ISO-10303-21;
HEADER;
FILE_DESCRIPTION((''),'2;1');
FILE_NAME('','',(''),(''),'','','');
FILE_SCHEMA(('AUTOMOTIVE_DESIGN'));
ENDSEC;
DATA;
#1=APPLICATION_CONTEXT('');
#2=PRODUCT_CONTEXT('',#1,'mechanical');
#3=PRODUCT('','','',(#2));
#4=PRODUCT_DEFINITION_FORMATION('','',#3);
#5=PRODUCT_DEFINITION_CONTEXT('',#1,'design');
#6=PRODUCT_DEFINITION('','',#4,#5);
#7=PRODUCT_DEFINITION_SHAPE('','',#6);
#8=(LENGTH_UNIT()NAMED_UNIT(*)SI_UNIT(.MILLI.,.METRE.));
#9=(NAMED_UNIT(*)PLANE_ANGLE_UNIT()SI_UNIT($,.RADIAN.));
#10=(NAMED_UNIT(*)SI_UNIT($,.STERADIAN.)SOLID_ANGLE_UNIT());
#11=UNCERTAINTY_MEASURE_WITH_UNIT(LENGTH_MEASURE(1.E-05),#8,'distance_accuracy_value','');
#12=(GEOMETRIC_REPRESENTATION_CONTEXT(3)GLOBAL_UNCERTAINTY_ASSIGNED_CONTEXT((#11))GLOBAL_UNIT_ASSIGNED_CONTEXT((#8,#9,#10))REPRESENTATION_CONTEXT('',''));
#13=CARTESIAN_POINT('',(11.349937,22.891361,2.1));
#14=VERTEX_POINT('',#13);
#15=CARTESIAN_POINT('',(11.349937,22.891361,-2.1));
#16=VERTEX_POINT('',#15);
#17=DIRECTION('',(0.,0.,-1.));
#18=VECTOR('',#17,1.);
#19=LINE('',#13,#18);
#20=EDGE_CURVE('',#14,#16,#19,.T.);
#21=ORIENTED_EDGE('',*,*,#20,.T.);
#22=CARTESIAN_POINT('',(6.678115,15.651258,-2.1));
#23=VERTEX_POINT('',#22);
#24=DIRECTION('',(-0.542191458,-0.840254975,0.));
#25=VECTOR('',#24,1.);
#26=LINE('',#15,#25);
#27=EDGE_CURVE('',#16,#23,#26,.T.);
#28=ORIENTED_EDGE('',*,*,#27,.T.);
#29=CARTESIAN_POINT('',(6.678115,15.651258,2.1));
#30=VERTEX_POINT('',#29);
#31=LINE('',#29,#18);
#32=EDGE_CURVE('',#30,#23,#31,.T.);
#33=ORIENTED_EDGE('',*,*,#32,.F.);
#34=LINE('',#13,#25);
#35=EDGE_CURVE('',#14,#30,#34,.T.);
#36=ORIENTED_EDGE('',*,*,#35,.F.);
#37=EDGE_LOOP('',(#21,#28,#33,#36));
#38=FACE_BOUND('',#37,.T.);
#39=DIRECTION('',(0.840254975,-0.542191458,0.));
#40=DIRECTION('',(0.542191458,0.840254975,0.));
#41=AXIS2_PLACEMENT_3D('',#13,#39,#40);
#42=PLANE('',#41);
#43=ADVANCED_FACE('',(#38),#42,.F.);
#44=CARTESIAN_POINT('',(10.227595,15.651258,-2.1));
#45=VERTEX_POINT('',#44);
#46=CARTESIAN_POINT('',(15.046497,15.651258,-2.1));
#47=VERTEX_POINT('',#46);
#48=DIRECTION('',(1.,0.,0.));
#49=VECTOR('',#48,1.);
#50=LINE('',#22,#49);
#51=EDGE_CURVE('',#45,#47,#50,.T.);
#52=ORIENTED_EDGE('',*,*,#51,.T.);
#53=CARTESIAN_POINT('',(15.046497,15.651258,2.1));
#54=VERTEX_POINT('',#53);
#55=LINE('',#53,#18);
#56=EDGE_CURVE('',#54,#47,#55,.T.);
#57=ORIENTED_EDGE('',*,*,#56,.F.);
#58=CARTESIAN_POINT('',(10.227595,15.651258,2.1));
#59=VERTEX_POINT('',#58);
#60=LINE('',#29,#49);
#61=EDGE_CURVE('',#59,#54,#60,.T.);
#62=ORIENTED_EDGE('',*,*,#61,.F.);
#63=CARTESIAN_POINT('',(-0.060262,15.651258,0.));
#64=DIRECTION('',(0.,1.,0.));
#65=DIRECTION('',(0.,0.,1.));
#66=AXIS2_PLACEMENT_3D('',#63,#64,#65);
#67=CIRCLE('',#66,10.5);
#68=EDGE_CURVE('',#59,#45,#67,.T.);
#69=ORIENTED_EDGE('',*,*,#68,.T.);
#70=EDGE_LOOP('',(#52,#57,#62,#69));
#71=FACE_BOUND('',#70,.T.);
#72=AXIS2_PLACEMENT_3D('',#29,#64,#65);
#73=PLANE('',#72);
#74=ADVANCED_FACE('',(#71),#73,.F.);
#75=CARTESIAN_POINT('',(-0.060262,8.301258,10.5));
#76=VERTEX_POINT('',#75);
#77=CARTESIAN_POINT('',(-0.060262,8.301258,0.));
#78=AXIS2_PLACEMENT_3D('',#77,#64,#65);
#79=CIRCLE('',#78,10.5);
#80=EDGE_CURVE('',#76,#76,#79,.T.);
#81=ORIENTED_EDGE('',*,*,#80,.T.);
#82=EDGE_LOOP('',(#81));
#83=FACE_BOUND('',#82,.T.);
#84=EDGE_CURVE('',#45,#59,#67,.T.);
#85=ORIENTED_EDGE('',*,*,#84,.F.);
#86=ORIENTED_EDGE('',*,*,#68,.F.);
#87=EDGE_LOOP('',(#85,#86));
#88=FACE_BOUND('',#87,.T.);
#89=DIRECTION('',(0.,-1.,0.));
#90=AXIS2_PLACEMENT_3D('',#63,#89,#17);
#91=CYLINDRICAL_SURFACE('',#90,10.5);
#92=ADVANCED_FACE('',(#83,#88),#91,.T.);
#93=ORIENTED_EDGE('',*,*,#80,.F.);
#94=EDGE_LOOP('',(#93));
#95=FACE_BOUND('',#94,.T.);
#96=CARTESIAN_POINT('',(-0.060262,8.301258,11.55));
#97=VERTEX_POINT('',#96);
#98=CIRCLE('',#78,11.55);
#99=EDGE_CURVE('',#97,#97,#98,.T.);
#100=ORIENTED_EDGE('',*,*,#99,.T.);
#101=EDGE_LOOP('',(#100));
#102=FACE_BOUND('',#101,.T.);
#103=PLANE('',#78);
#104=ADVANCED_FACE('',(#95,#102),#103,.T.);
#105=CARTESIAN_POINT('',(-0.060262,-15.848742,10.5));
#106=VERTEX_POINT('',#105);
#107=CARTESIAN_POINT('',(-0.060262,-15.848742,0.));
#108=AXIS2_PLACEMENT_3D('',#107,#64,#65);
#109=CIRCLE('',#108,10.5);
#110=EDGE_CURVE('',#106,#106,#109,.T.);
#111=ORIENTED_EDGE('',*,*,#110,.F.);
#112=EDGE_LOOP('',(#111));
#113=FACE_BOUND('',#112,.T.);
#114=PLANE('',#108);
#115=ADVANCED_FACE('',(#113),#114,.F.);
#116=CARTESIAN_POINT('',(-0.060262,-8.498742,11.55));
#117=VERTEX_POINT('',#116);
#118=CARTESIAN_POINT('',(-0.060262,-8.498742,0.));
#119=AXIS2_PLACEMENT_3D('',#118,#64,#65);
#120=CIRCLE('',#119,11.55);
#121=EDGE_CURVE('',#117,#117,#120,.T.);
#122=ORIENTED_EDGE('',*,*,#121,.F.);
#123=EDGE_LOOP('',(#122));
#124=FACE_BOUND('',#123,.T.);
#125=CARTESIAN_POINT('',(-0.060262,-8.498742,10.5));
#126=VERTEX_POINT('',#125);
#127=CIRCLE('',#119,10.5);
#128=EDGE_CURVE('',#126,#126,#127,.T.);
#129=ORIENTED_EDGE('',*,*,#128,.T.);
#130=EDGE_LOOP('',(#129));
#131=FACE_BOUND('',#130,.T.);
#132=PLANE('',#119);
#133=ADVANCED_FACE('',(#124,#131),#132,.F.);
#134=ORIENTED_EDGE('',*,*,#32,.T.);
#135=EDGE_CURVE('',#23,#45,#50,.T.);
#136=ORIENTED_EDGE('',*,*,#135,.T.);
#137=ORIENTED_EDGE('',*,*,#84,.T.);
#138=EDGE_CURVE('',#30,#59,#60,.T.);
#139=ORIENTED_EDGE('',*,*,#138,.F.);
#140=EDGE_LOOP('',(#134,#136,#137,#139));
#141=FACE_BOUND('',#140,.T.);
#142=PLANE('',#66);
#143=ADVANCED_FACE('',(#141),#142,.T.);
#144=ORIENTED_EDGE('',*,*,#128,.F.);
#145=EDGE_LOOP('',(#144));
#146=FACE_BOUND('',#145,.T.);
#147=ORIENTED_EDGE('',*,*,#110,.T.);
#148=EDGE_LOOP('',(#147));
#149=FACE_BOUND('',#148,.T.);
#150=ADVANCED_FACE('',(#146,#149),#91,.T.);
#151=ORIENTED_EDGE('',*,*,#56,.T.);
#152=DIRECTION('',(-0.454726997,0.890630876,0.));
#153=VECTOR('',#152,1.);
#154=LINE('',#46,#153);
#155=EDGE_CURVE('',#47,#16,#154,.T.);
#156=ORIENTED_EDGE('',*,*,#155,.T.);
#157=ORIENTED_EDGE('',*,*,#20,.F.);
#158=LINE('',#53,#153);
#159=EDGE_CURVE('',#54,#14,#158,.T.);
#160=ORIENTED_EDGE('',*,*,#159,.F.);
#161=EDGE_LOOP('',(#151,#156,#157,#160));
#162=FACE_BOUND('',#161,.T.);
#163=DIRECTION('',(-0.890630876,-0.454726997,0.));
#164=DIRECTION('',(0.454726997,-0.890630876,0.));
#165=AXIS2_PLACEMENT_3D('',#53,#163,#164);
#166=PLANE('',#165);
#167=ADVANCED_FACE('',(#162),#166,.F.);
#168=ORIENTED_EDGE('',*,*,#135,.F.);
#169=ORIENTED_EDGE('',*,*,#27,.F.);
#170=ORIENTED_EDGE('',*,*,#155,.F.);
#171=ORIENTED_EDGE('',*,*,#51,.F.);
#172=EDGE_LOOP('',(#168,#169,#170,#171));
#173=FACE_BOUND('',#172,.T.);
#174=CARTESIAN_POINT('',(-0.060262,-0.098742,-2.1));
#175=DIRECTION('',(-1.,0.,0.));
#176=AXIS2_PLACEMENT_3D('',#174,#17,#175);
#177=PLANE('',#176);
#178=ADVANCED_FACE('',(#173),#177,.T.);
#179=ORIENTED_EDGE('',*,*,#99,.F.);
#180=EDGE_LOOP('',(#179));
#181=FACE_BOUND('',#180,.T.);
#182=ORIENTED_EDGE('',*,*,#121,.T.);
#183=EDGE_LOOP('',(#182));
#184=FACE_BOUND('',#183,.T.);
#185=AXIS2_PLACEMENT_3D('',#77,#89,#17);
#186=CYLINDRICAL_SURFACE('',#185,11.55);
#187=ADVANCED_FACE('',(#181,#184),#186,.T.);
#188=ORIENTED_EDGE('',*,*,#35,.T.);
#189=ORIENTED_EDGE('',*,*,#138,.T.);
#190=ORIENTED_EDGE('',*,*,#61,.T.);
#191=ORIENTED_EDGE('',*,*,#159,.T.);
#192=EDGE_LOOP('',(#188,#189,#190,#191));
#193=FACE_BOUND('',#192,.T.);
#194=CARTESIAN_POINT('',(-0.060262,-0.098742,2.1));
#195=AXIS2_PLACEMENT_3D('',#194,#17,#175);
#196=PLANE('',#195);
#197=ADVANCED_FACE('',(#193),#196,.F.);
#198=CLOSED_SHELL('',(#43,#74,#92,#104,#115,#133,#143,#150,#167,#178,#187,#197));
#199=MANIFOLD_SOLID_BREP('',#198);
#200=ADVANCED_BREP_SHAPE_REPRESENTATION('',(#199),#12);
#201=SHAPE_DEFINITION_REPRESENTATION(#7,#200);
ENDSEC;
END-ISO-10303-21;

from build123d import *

# Parameters (mm, degrees)
SKETCH_1_R      = 5
EXTRUDE_1_DEPTH = 7.5
SKETCH_2_R      = 5.5
EXTRUDE_2_DEPTH = 4
EXTRUDE_3_DEPTH = 1
SCALE_1_SCALE   = 3
SCALE_2_SCALE   = 0.7


with BuildPart() as part:
    # 草图1 → 凸台-拉伸1 (new, symmetric)
    with BuildSketch(Plane(origin=(0, 0, 0), x_dir=(1, 0, 0), z_dir=(0, 1, 0))):
        with Locations(Location((0, 0, 0), (0, 0, 270))):
            Circle(SKETCH_1_R)
    extrude(amount=EXTRUDE_1_DEPTH, both=True)

    # 草图2 → 凸台-拉伸2 (add, symmetric)
    with BuildSketch(Plane(origin=(0, 0, 0), x_dir=(1, 0, 0), z_dir=(0, 1, 0))):
        with Locations(Location((0, 0, 0), (0, 0, 270))):
            Circle(SKETCH_2_R)
    extrude(amount=EXTRUDE_2_DEPTH, both=True)

    # 草图3 → 凸台-拉伸3 (add, symmetric)
    with BuildSketch(Plane.XY):
        Polygon((3.208751117, 7.5), (7.19369463, 7.5), (5.433428229, 10.94766776), align=None)
    extrude(amount=EXTRUDE_3_DEPTH, both=True)


with BuildPart() as part_1:
    # 缩放比例1: scaled about (0.054783729, 0.089765176, 0)
    add(part.part.scale(SCALE_1_SCALE).moved(Location((-0.109567458, -0.179530352, 0))))


with BuildPart() as part_2:
    # 缩放比例2: scaled about (0.05478373, 0.089765175, 0)
    add(part_1.part.scale(SCALE_2_SCALE).moved(Location((0.016435119, 0.026929553, 0))))


solid = part_2.part
